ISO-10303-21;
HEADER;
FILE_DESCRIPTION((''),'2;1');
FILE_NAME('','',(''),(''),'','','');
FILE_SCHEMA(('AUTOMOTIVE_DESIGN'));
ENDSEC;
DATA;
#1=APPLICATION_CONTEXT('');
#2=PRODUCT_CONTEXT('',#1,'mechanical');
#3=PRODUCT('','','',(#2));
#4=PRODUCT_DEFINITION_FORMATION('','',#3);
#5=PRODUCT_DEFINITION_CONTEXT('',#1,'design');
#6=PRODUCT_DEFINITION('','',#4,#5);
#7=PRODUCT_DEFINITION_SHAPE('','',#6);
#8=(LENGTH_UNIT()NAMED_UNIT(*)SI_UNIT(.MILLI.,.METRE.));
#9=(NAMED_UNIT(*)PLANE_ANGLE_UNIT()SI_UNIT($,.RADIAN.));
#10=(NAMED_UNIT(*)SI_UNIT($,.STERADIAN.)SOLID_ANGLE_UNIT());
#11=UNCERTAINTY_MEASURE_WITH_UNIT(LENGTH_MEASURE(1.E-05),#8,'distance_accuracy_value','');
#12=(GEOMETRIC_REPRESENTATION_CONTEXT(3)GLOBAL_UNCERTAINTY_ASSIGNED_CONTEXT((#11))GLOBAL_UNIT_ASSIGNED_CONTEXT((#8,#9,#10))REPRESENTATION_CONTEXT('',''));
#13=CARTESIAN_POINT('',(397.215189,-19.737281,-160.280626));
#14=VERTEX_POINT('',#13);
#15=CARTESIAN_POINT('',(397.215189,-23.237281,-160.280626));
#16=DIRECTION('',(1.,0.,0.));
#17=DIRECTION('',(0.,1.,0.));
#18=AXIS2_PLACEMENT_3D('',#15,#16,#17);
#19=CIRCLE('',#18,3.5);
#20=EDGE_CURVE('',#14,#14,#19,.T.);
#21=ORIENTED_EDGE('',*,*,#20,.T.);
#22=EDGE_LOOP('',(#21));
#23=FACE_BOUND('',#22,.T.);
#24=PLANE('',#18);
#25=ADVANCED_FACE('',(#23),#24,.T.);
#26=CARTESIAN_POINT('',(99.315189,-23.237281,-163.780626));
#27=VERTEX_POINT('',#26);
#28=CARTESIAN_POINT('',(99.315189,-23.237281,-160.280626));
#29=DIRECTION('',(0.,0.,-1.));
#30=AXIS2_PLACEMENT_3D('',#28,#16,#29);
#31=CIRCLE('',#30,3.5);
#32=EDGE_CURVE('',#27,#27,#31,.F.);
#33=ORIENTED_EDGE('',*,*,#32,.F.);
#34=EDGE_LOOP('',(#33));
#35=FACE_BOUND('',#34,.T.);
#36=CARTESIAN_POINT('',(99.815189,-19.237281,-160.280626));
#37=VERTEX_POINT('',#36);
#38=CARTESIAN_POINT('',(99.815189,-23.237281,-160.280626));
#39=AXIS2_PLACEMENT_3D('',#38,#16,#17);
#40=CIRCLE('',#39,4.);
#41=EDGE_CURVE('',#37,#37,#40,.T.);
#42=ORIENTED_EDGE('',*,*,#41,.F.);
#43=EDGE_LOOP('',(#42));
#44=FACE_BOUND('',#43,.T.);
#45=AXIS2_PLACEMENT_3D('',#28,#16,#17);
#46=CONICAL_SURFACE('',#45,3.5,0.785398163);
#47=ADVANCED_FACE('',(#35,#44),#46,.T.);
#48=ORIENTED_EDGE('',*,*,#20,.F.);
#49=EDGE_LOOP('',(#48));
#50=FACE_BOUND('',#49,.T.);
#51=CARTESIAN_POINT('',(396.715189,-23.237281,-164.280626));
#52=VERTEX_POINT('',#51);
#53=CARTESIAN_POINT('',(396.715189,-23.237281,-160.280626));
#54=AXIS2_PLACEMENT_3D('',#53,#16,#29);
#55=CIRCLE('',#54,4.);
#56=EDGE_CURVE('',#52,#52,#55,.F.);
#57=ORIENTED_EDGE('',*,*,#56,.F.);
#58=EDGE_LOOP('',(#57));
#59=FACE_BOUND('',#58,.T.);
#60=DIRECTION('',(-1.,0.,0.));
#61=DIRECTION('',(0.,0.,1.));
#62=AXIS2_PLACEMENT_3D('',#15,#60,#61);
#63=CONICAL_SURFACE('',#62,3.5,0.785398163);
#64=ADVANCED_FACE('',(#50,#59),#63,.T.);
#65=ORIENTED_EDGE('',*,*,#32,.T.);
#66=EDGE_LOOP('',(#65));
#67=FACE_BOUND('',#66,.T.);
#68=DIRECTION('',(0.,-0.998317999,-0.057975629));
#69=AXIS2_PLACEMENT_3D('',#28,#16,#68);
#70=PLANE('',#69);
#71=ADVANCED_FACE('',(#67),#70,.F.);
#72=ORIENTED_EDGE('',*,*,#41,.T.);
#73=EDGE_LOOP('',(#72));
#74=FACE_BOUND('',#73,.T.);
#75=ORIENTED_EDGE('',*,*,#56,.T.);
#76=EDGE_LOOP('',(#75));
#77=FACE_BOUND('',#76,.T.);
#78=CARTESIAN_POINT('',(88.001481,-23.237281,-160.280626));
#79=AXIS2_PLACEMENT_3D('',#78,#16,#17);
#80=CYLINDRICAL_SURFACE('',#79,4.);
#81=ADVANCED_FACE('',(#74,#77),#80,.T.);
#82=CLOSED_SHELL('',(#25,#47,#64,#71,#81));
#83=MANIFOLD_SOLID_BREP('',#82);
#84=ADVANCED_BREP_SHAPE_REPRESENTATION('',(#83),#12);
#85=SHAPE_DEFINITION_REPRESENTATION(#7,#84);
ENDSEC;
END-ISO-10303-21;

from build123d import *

# Parameters (mm, degrees)
CROQUIS1_R              = 4
SALIENTE_EXTRUIR1_DEPTH = 297.9
CHAFL_N1_SIZE           = 0.5


with BuildPart() as part:
    # Croquis1 → Saliente-Extruir1 (new body)
    with BuildSketch(Plane(origin=(397.215189324, 0, 0), x_dir=(0, 0, -1), z_dir=(1, 0, 0))):
        with Locations(Location((160.280625692, -23.237281075, 0), (0, 0, 90))):
            Circle(CROQUIS1_R)
    extrude(amount=-SALIENTE_EXTRUIR1_DEPTH)

    # Chaflán1
    chafl_n1_edges = [part.edges().sort_by_distance(p)[0] for p in [
        (397.215189324, -27.237281075, -160.280625692),
        (99.315189324, -27.237281075, -160.280625692),
    ]]
    chamfer(chafl_n1_edges, length=CHAFL_N1_SIZE)


solid = part.part
